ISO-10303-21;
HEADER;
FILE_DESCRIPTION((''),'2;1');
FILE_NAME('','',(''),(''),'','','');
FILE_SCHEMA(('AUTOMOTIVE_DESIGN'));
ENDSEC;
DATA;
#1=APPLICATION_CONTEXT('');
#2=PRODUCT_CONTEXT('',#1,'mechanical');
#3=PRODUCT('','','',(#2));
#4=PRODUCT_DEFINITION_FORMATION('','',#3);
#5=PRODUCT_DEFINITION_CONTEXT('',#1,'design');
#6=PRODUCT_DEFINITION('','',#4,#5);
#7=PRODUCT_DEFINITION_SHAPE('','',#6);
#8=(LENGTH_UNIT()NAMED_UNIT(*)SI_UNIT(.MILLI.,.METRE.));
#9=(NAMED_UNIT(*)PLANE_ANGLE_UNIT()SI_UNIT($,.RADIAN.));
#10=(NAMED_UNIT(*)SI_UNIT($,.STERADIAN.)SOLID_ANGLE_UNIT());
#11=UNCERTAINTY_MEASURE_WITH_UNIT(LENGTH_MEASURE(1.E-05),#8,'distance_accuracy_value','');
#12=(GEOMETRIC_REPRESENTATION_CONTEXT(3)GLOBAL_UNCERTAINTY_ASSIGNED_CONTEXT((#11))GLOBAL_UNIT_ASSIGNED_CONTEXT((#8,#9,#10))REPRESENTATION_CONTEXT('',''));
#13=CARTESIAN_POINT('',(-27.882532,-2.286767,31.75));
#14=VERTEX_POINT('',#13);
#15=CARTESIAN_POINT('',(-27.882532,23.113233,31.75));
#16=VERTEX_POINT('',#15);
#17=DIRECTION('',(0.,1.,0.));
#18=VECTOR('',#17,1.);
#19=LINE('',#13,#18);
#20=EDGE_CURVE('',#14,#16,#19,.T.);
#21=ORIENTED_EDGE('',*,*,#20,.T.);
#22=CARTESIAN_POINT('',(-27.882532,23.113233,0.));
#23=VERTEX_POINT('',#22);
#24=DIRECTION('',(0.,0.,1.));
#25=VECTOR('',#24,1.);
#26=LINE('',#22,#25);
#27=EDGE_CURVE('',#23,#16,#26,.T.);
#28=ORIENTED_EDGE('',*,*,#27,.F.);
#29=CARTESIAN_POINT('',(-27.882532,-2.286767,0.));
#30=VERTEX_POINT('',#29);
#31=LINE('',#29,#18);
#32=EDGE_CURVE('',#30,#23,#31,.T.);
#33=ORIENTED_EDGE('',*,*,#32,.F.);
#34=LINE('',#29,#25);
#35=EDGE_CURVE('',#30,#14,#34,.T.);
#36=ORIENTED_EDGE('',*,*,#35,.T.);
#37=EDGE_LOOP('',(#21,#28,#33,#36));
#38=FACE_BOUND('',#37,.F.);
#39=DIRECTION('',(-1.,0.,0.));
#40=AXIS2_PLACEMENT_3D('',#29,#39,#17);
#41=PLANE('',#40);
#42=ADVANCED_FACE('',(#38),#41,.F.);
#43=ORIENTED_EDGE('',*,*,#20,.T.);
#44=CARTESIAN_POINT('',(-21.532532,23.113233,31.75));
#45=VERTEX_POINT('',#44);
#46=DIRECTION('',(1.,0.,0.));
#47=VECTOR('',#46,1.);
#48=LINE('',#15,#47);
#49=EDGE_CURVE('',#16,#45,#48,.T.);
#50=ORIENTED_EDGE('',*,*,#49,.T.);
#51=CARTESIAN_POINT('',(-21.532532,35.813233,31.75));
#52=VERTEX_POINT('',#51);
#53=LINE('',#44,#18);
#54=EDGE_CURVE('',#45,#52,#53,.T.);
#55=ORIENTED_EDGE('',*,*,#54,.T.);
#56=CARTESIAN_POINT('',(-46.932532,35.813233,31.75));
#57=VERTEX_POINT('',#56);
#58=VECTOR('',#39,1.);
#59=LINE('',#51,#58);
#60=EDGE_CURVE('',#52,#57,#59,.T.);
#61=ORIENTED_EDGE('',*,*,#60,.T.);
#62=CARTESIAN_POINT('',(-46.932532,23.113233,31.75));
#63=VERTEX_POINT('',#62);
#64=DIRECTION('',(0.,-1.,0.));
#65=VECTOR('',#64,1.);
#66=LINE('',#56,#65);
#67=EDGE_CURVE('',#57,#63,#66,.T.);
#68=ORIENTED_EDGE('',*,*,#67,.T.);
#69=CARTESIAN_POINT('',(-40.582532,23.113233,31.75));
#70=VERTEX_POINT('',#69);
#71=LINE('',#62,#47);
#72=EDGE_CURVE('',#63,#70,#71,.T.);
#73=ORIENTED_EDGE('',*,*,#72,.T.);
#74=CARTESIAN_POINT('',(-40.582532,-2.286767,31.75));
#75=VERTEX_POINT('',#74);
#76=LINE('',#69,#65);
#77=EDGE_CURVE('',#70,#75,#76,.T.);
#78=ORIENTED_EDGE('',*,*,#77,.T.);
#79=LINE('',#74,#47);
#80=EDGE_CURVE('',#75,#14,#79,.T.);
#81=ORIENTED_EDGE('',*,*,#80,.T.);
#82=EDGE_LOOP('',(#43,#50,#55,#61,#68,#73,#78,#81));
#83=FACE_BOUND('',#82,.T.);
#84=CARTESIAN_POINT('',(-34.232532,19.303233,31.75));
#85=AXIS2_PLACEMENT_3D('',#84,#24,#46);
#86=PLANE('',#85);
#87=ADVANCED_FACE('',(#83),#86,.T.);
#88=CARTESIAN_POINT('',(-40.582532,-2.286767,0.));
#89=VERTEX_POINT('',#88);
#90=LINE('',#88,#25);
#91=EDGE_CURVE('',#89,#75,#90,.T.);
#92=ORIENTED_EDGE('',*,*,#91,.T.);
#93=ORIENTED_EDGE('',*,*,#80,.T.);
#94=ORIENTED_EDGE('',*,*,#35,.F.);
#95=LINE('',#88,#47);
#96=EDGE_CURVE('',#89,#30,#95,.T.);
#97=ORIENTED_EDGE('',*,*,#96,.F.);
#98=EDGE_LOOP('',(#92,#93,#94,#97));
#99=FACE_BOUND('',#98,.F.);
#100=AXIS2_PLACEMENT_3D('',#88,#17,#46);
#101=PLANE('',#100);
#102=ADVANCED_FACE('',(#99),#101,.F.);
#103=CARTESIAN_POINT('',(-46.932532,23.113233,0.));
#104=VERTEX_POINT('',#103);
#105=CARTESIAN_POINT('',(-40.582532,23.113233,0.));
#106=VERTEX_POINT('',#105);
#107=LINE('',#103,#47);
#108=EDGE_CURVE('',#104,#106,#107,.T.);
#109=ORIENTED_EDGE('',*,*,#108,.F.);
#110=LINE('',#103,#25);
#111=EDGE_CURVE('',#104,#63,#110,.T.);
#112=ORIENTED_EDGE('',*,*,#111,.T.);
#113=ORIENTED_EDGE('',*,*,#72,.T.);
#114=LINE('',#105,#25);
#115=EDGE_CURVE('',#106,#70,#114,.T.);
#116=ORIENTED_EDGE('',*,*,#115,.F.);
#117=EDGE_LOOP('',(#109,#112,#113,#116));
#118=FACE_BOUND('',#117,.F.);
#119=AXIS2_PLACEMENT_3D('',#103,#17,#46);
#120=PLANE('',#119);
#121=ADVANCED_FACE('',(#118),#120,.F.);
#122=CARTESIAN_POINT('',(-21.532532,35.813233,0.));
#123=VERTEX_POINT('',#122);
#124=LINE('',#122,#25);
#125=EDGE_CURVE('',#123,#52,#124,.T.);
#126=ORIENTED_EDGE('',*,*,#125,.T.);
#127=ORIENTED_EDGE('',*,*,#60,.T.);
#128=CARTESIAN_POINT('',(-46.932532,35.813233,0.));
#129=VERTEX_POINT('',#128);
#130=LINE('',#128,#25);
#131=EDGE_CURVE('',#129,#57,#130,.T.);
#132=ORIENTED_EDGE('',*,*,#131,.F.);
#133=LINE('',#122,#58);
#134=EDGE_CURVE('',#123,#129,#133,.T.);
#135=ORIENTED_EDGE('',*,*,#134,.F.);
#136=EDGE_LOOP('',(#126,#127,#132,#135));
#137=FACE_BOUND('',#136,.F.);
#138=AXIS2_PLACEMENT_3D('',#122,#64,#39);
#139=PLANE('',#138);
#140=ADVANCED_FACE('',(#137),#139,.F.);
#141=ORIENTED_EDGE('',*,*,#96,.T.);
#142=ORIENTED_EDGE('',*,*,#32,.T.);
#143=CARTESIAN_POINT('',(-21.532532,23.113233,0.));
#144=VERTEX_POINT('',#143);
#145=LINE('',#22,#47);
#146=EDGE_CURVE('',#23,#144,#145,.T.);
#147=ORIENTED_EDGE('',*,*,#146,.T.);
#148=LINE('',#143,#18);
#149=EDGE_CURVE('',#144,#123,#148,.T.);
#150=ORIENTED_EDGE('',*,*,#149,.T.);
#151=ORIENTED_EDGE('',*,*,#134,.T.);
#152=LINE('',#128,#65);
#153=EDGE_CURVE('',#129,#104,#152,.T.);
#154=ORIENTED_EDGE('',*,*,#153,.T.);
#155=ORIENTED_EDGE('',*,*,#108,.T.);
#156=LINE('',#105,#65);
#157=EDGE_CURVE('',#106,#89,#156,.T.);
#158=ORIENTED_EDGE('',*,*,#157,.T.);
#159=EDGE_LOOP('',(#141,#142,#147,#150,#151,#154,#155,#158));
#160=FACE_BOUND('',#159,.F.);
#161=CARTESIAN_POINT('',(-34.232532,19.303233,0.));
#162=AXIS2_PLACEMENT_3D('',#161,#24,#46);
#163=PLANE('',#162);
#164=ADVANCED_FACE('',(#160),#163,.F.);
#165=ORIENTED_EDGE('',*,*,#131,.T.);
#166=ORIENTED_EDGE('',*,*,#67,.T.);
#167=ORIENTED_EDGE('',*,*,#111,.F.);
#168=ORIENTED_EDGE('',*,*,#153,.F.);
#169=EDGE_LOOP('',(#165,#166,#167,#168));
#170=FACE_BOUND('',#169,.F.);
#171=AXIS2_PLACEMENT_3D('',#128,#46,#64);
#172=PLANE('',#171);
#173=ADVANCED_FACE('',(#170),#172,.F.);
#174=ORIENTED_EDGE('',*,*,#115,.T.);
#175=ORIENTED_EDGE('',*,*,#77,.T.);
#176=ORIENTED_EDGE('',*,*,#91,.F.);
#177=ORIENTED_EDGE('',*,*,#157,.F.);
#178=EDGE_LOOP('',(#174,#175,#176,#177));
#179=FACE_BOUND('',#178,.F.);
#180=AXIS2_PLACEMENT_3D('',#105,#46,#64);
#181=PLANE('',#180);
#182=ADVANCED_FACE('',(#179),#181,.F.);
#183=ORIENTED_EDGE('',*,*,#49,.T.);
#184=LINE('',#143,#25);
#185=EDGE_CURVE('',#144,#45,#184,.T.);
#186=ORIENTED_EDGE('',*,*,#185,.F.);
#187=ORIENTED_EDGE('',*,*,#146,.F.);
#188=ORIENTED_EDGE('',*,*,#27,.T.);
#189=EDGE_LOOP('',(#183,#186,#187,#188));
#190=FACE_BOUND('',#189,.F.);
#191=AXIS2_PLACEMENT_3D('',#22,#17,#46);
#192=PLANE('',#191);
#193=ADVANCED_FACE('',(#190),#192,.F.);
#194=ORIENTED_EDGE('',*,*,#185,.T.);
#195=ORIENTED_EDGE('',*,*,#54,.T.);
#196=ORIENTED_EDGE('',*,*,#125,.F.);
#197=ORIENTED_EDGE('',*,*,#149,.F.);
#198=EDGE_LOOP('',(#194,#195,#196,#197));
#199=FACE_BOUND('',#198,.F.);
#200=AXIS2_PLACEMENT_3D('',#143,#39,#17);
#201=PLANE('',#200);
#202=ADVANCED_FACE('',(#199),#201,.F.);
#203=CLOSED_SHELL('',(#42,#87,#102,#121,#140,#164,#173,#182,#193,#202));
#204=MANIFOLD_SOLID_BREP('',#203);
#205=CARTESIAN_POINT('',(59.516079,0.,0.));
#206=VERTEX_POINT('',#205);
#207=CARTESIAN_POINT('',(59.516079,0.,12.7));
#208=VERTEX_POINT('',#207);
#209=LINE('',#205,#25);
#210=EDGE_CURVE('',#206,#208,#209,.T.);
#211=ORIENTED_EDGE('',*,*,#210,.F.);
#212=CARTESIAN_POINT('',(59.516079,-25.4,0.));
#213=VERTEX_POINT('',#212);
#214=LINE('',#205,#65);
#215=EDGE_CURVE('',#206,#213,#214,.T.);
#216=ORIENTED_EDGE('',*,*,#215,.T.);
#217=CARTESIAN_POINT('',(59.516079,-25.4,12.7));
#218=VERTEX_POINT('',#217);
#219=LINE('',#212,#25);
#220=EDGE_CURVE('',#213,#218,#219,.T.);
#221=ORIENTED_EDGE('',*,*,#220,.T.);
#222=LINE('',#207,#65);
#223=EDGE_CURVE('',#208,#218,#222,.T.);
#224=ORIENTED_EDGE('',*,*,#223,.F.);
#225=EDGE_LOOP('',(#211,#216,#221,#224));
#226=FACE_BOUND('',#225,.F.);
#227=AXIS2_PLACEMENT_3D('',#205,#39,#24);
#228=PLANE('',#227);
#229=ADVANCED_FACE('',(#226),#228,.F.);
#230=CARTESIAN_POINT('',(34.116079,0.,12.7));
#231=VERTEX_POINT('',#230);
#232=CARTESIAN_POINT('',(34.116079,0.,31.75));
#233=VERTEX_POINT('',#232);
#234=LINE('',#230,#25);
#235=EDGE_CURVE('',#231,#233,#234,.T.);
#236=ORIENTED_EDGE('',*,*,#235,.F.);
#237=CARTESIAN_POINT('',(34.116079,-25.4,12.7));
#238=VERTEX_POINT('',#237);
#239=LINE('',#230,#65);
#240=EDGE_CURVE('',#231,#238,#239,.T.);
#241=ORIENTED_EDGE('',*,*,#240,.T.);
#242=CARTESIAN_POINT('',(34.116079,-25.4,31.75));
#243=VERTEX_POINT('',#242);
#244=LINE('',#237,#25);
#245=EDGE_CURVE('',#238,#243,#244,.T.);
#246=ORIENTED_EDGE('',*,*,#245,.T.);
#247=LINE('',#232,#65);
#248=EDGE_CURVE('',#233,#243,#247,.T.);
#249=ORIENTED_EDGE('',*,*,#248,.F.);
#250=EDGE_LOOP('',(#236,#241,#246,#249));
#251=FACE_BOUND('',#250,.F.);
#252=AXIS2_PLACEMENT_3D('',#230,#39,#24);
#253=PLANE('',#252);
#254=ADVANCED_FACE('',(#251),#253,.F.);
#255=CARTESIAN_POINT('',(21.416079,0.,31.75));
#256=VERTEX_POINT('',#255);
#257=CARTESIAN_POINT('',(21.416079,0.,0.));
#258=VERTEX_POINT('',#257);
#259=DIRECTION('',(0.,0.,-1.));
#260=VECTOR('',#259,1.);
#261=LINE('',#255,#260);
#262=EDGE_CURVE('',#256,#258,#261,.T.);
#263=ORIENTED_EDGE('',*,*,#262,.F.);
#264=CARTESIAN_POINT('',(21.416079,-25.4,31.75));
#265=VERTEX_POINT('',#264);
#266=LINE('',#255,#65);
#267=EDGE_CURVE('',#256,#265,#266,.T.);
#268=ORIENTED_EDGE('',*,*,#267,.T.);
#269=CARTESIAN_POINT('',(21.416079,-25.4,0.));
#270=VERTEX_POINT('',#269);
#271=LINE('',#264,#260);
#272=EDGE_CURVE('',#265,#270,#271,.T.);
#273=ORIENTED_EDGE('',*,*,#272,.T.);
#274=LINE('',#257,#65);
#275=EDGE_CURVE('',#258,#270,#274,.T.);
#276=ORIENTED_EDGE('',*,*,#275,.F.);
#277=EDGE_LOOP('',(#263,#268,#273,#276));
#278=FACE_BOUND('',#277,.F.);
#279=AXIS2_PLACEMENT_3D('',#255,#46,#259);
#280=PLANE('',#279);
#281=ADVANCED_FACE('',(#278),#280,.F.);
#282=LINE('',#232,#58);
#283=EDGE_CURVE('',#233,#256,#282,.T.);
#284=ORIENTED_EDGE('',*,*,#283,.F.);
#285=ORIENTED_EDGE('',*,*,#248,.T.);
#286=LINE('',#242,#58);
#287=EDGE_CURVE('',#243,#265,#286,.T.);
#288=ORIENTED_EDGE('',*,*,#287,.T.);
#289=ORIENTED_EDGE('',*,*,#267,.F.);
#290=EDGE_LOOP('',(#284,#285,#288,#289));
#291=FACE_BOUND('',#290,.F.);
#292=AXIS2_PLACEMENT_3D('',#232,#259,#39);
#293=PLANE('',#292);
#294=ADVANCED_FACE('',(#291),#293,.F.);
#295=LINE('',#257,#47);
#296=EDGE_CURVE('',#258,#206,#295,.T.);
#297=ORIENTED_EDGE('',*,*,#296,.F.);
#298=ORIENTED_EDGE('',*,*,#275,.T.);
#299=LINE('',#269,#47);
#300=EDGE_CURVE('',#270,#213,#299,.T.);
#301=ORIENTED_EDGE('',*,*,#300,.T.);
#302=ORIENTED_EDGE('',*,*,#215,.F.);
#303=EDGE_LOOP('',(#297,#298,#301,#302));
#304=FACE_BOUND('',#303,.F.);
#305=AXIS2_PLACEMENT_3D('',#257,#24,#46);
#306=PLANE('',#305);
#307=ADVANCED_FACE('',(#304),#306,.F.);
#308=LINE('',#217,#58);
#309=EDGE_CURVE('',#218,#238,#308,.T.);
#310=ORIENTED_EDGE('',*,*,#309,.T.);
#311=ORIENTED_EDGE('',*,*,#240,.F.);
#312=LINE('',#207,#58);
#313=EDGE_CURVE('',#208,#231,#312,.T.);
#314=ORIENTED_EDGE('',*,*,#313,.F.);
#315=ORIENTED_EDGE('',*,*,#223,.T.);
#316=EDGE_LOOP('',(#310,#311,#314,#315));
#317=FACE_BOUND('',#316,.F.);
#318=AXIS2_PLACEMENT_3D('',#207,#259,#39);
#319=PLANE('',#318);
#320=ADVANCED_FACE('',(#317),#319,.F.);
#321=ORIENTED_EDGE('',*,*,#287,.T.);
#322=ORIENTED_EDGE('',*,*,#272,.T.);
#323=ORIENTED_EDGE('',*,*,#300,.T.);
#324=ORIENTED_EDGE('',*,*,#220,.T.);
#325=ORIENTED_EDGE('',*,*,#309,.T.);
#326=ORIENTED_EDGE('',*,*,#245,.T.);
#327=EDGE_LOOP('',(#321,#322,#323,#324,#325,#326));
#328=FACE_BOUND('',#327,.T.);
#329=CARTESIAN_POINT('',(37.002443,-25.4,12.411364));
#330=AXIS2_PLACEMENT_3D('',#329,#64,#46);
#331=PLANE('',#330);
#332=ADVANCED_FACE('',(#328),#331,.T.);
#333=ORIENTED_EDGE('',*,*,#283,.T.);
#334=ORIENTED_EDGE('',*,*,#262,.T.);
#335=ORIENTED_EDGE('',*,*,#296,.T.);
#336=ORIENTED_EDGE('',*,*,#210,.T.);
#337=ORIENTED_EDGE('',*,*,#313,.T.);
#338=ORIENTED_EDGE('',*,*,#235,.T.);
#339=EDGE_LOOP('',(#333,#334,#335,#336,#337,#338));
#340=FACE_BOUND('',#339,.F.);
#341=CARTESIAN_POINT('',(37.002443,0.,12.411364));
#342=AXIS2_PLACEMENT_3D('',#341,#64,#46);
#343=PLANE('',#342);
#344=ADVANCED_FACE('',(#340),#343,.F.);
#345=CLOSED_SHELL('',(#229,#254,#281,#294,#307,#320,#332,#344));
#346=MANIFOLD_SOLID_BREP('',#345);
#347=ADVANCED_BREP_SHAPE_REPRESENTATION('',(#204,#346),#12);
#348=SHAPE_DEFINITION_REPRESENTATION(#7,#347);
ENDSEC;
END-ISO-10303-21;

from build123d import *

# Parameters (mm, degrees)
F1_DEPTH = 25.4
F3_DEPTH = 31.75


with BuildPart() as f1:
    # F0 (on Front) → F1 (new body)
    with BuildSketch(Plane.XZ):
        Polygon((34.116079, 31.75), (21.416079, 31.75), (21.416079, 0), (59.516079, 0), (59.516079, 12.7), (34.116079, 12.7), align=None)
    extrude(amount=F1_DEPTH)


with BuildPart() as f3:
    # F2 (on Top) → F3 (new body)
    with BuildSketch(Plane.XY):
        Polygon((-21.532532, 35.813233), (-46.932532, 35.813233), (-46.932532, 23.113233), (-40.582532, 23.113233), (-40.582532, -2.286767), (-27.882532, -2.286767), (-27.882532, 23.113233), (-21.532532, 23.113233), align=None)
    extrude(amount=F3_DEPTH)


solid = Compound([f1.part, f3.part])
